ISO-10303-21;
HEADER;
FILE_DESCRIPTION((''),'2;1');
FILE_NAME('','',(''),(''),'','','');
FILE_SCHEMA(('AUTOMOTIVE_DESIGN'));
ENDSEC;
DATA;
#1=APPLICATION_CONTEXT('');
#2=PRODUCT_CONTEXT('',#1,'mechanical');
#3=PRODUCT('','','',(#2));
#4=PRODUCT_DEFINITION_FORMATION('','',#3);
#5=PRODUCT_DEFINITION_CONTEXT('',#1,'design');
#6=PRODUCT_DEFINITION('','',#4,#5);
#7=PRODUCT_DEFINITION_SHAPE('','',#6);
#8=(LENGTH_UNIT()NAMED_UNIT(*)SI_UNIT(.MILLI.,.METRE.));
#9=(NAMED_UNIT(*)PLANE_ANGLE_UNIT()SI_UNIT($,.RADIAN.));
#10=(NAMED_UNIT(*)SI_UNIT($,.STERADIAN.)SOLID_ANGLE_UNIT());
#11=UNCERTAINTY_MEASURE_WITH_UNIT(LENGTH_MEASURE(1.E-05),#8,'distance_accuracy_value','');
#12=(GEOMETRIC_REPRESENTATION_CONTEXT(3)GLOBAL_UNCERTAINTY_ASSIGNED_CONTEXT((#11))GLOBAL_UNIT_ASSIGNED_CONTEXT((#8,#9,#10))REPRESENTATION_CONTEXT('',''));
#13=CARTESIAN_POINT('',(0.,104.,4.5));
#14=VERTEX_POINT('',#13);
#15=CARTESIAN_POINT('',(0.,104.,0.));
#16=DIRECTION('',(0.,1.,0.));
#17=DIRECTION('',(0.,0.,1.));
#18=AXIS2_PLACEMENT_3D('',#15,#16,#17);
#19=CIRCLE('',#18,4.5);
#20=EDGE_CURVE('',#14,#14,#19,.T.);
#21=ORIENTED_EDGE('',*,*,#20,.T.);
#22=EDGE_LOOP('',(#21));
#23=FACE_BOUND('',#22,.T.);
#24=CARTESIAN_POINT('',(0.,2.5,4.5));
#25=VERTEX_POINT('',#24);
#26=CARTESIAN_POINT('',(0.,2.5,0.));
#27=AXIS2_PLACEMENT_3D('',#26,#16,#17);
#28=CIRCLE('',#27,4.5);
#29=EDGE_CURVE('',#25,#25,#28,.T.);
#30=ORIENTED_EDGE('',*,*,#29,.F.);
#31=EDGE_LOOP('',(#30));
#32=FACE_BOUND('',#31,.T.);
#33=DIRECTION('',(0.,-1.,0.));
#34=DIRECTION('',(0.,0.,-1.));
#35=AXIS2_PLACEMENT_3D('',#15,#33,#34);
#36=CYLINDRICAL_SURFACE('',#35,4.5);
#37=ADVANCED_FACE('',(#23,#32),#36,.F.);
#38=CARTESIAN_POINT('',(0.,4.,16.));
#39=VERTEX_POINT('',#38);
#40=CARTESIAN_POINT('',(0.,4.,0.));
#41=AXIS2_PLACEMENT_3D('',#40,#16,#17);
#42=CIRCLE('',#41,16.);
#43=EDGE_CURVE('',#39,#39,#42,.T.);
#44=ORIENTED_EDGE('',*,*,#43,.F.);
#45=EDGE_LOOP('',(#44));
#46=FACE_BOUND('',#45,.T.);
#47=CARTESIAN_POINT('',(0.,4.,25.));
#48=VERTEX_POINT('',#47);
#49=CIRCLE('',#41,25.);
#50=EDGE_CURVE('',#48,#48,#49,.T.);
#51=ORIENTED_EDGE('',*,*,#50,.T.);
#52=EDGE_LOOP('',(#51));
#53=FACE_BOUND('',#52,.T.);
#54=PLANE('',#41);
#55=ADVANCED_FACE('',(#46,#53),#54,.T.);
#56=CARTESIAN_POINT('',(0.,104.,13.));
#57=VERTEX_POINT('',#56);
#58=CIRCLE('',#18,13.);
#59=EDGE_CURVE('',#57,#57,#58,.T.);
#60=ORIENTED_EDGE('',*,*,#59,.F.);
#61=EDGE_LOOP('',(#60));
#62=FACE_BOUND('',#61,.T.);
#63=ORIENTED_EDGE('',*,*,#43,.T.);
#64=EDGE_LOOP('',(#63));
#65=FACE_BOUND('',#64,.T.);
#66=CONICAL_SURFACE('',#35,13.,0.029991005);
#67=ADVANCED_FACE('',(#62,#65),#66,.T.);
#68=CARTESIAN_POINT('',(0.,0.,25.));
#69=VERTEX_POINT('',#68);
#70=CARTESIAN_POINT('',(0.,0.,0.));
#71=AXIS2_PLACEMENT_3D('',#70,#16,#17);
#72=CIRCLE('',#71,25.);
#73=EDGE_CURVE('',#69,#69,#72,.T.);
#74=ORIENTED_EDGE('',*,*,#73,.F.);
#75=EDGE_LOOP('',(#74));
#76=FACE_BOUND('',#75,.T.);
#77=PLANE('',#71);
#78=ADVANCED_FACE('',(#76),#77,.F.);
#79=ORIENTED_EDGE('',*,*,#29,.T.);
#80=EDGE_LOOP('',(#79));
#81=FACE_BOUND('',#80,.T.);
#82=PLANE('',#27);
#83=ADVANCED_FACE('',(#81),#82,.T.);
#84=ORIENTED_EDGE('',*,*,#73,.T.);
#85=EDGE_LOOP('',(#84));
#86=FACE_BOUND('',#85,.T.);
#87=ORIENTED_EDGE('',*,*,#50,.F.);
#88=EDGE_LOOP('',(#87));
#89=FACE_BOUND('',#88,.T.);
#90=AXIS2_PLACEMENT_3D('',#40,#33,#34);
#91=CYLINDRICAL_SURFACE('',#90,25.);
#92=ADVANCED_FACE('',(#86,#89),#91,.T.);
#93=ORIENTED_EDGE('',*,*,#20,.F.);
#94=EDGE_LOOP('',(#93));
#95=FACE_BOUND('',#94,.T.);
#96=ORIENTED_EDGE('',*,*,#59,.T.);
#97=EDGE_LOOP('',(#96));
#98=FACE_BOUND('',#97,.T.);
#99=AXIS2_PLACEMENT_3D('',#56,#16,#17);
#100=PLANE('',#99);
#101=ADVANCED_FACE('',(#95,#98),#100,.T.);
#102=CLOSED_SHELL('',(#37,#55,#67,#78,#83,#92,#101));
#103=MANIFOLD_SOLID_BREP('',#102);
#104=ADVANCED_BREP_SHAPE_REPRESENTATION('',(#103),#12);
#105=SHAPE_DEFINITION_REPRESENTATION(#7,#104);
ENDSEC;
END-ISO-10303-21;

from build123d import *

# Parameters (mm, degrees)
ESQUISSE1_R                  = 25
BOSS_EXTRU_1_DEPTH           = 4
ENL_V_MAT_EXTRU_1_DEPTH      = 107.066017178
ENL_V_MAT_EXTRU_1_DEPTH_BACK = 1.5
ESQUISSE2_R                  = 4.5


with BuildPart() as part:
    # Esquisse1 → Boss.-Extru.1 (new body)
    with BuildSketch(Plane(origin=(0, 0, 0), x_dir=(1, 0, 0), z_dir=(0, 1, 0))):
        Circle(ESQUISSE1_R)
    extrude(amount=BOSS_EXTRU_1_DEPTH)

    # Esquisse3 → Révolution1 (revolve)
    with BuildSketch(Plane(origin=(0, 0, 0), x_dir=(0, 0, -1), z_dir=(1, 0, 0))):
        Polygon((0, 4), (-16, 4), (-13, 104), (0, 104), align=None)
    revolve(axis=Axis((0, 104, 0), (0, -1, 0)))

    # Esquisse2 → Enlèv. mat.-Extru.1 (cut, two sides: drawn at the far end of the back side and taken through both)
    with BuildSketch(Plane(origin=(0, 4, 0), x_dir=(1, 0, 0), z_dir=(0, 1, 0)).offset(-ENL_V_MAT_EXTRU_1_DEPTH_BACK)):
        Circle(ESQUISSE2_R)
    extrude(amount=ENL_V_MAT_EXTRU_1_DEPTH + ENL_V_MAT_EXTRU_1_DEPTH_BACK, mode=Mode.SUBTRACT)


solid = part.part
